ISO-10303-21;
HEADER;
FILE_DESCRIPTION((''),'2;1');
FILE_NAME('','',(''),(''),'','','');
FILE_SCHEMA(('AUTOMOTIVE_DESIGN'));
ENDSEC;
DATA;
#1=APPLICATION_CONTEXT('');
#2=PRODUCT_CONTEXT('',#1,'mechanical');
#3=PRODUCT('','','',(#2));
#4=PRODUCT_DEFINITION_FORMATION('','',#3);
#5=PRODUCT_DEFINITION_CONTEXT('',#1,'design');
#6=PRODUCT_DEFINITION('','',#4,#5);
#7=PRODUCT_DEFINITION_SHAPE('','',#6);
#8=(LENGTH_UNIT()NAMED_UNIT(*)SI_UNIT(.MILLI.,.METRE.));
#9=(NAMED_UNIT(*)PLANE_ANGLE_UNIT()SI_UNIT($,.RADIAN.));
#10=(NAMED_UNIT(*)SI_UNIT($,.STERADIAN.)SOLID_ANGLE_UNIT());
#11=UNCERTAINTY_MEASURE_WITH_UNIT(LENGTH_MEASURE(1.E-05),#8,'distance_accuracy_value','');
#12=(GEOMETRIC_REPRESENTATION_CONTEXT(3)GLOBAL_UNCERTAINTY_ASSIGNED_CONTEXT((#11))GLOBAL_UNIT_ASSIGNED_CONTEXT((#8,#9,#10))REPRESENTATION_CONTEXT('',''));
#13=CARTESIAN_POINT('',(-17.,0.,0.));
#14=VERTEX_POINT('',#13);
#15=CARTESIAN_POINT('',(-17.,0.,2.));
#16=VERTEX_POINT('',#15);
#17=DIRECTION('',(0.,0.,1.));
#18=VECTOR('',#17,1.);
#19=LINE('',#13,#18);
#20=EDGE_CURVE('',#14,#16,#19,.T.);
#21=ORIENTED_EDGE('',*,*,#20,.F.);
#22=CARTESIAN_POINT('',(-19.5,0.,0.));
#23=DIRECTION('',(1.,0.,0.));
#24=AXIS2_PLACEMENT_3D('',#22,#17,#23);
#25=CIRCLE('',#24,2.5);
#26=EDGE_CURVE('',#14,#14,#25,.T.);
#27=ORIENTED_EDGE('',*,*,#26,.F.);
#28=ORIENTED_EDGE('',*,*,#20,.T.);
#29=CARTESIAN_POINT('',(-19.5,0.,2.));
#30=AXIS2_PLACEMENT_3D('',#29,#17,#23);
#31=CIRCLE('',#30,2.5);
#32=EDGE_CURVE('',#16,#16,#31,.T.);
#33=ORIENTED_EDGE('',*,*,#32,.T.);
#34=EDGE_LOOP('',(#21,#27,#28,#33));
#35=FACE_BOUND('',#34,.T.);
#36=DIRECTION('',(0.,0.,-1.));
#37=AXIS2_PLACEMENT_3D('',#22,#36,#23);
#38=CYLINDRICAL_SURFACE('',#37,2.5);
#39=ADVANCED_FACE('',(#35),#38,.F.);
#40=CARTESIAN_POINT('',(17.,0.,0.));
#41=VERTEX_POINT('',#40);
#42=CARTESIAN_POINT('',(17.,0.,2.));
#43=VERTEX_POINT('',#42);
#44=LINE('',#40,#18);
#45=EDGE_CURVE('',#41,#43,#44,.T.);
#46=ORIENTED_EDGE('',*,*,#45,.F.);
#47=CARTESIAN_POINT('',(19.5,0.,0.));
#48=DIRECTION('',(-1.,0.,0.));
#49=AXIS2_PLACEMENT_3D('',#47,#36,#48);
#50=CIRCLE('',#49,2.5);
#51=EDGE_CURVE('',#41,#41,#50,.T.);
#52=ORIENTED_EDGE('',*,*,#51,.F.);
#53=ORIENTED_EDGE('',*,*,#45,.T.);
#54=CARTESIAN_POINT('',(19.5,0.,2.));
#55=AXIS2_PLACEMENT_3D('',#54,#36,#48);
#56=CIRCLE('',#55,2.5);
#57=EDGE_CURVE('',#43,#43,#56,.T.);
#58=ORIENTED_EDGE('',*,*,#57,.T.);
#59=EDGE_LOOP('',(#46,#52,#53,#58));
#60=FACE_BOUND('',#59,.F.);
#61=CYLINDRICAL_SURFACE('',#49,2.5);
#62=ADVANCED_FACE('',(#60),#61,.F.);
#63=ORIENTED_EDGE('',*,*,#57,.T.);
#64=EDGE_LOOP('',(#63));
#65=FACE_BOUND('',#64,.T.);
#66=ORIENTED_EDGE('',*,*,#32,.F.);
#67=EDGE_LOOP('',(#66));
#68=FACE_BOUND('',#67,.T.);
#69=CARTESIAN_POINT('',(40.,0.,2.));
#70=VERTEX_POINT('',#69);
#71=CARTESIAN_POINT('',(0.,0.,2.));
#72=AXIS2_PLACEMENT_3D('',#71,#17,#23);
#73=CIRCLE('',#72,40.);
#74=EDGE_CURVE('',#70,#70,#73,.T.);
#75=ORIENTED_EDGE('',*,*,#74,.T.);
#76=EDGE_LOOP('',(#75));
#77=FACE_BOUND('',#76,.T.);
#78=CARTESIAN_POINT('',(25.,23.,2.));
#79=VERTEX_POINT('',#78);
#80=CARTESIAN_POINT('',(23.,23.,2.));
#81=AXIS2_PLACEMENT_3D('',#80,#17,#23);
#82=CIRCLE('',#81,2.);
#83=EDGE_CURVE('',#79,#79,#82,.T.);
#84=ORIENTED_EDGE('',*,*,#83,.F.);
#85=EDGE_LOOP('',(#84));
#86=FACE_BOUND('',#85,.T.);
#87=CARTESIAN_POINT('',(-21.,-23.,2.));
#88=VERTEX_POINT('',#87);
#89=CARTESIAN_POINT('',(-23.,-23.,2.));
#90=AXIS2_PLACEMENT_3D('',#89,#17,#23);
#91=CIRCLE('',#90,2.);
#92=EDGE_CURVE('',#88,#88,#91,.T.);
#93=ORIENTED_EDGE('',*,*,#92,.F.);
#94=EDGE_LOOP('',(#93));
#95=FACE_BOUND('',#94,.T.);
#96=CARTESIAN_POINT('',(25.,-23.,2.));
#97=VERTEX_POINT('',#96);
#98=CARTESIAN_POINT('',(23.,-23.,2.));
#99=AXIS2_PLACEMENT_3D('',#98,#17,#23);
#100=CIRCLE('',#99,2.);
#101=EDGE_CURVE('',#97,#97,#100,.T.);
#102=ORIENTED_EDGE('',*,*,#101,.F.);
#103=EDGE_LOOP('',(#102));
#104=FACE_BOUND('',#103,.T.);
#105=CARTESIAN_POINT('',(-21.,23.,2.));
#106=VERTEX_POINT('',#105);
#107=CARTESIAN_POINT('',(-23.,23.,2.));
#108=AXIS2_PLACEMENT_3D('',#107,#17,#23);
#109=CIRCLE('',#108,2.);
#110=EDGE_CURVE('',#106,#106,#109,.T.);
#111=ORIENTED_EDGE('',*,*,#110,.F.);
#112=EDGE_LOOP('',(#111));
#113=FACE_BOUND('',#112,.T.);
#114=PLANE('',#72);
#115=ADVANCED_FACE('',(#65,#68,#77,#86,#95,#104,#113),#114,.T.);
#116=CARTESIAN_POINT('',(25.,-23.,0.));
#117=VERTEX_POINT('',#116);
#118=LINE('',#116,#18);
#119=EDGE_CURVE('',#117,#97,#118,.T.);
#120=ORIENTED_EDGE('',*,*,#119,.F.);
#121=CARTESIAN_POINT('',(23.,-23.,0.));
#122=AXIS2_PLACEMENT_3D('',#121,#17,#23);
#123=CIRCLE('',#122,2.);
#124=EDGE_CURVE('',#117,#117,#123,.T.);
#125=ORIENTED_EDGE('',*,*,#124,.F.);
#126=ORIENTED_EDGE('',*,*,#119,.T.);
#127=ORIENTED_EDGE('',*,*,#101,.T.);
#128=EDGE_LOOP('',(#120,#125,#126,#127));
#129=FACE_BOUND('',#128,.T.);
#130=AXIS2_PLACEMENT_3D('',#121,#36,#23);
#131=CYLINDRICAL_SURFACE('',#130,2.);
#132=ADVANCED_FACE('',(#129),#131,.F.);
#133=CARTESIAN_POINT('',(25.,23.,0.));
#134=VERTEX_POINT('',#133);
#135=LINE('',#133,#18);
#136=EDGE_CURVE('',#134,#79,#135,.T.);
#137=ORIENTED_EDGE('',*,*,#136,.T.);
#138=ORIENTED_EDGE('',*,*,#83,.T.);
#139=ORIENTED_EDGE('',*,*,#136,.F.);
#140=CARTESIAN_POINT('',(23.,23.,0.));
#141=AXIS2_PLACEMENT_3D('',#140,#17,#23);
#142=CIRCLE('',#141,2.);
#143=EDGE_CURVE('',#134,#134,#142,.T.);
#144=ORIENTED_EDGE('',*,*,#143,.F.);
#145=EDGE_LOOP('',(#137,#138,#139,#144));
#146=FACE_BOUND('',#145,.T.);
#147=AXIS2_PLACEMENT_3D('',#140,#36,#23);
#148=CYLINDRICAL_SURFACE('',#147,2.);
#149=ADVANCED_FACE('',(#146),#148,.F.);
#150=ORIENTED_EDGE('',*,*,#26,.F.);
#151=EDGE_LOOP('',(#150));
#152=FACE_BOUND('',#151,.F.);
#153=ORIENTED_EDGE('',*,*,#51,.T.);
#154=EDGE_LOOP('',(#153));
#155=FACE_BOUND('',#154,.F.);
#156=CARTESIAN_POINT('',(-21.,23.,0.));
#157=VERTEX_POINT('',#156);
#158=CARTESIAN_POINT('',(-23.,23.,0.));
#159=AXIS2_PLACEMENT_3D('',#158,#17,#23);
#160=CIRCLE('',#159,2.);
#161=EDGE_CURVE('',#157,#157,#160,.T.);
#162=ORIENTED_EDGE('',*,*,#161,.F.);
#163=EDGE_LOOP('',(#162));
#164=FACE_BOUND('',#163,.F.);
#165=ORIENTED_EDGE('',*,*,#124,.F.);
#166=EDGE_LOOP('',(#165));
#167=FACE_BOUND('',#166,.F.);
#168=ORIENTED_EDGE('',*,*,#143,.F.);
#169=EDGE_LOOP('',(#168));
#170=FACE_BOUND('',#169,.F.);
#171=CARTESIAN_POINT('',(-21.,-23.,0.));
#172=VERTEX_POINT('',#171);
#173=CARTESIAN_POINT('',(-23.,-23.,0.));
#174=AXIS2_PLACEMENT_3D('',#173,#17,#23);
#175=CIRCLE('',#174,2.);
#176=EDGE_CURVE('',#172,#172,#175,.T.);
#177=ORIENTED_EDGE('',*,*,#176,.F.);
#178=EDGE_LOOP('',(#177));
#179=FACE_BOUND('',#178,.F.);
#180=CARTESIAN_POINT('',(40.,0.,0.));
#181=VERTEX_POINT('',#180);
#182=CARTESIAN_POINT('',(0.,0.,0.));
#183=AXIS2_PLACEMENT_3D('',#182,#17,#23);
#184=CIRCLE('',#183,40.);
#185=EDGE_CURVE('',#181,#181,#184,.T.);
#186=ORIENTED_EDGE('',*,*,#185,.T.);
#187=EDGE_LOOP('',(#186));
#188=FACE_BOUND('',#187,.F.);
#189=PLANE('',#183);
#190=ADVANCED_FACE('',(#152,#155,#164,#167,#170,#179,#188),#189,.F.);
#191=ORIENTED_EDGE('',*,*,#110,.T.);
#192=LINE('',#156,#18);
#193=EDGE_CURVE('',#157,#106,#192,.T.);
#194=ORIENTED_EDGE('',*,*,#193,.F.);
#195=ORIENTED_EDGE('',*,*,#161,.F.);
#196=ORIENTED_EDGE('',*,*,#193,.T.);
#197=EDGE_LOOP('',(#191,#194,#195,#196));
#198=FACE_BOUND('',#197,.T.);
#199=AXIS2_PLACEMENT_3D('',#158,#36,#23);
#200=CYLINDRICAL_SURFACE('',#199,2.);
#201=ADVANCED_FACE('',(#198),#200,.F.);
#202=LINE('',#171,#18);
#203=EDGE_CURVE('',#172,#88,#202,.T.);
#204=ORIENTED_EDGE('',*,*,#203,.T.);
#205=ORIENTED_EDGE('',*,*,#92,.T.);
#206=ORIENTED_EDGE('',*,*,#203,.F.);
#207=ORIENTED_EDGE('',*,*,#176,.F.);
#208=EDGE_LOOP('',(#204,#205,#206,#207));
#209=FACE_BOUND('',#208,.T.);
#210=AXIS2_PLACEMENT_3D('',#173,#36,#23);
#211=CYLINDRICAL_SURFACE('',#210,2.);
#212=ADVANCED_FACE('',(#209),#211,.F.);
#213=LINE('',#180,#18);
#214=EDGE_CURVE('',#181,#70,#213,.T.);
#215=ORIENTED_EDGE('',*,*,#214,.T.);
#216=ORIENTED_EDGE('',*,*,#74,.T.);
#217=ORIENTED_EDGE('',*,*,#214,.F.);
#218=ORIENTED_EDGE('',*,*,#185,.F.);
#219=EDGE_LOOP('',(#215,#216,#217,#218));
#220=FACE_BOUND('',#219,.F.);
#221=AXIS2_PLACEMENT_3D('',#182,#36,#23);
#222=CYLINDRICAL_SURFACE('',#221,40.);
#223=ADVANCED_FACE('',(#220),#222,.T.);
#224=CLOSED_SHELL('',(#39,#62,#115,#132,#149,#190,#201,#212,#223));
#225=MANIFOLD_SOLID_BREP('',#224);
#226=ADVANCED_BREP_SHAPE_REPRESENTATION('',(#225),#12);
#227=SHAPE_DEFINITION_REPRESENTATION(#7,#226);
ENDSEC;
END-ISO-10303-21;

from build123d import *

# Parameters (mm, degrees)
F0_R     = 40
F0_R_2   = 2
F0_R_3   = 2.5
F1_DEPTH = 2


with BuildPart() as f1:
    # F0 (on Top) → F1 (new body)
    with BuildSketch(Plane.XY):
        Circle(F0_R)
        with Locations((-23, -23)):
            Circle(F0_R_2, mode=Mode.SUBTRACT)
        with Locations((23, -23)):
            Circle(F0_R_2, mode=Mode.SUBTRACT)
        with Locations((-19.5, 0)):
            Circle(F0_R_3, mode=Mode.SUBTRACT)
        with Locations((-23, 23)):
            Circle(F0_R_2, mode=Mode.SUBTRACT)
        with BuildLine():
            ThreePointArc((22, 0), (19.5, -2.5), (17, 0))
            ThreePointArc((17, 0), (19.5, 2.5), (22, 0))
        make_face(mode=Mode.SUBTRACT)
        with Locations((23, 23)):
            Circle(F0_R_2, mode=Mode.SUBTRACT)
    extrude(amount=F1_DEPTH)


solid = f1.part
